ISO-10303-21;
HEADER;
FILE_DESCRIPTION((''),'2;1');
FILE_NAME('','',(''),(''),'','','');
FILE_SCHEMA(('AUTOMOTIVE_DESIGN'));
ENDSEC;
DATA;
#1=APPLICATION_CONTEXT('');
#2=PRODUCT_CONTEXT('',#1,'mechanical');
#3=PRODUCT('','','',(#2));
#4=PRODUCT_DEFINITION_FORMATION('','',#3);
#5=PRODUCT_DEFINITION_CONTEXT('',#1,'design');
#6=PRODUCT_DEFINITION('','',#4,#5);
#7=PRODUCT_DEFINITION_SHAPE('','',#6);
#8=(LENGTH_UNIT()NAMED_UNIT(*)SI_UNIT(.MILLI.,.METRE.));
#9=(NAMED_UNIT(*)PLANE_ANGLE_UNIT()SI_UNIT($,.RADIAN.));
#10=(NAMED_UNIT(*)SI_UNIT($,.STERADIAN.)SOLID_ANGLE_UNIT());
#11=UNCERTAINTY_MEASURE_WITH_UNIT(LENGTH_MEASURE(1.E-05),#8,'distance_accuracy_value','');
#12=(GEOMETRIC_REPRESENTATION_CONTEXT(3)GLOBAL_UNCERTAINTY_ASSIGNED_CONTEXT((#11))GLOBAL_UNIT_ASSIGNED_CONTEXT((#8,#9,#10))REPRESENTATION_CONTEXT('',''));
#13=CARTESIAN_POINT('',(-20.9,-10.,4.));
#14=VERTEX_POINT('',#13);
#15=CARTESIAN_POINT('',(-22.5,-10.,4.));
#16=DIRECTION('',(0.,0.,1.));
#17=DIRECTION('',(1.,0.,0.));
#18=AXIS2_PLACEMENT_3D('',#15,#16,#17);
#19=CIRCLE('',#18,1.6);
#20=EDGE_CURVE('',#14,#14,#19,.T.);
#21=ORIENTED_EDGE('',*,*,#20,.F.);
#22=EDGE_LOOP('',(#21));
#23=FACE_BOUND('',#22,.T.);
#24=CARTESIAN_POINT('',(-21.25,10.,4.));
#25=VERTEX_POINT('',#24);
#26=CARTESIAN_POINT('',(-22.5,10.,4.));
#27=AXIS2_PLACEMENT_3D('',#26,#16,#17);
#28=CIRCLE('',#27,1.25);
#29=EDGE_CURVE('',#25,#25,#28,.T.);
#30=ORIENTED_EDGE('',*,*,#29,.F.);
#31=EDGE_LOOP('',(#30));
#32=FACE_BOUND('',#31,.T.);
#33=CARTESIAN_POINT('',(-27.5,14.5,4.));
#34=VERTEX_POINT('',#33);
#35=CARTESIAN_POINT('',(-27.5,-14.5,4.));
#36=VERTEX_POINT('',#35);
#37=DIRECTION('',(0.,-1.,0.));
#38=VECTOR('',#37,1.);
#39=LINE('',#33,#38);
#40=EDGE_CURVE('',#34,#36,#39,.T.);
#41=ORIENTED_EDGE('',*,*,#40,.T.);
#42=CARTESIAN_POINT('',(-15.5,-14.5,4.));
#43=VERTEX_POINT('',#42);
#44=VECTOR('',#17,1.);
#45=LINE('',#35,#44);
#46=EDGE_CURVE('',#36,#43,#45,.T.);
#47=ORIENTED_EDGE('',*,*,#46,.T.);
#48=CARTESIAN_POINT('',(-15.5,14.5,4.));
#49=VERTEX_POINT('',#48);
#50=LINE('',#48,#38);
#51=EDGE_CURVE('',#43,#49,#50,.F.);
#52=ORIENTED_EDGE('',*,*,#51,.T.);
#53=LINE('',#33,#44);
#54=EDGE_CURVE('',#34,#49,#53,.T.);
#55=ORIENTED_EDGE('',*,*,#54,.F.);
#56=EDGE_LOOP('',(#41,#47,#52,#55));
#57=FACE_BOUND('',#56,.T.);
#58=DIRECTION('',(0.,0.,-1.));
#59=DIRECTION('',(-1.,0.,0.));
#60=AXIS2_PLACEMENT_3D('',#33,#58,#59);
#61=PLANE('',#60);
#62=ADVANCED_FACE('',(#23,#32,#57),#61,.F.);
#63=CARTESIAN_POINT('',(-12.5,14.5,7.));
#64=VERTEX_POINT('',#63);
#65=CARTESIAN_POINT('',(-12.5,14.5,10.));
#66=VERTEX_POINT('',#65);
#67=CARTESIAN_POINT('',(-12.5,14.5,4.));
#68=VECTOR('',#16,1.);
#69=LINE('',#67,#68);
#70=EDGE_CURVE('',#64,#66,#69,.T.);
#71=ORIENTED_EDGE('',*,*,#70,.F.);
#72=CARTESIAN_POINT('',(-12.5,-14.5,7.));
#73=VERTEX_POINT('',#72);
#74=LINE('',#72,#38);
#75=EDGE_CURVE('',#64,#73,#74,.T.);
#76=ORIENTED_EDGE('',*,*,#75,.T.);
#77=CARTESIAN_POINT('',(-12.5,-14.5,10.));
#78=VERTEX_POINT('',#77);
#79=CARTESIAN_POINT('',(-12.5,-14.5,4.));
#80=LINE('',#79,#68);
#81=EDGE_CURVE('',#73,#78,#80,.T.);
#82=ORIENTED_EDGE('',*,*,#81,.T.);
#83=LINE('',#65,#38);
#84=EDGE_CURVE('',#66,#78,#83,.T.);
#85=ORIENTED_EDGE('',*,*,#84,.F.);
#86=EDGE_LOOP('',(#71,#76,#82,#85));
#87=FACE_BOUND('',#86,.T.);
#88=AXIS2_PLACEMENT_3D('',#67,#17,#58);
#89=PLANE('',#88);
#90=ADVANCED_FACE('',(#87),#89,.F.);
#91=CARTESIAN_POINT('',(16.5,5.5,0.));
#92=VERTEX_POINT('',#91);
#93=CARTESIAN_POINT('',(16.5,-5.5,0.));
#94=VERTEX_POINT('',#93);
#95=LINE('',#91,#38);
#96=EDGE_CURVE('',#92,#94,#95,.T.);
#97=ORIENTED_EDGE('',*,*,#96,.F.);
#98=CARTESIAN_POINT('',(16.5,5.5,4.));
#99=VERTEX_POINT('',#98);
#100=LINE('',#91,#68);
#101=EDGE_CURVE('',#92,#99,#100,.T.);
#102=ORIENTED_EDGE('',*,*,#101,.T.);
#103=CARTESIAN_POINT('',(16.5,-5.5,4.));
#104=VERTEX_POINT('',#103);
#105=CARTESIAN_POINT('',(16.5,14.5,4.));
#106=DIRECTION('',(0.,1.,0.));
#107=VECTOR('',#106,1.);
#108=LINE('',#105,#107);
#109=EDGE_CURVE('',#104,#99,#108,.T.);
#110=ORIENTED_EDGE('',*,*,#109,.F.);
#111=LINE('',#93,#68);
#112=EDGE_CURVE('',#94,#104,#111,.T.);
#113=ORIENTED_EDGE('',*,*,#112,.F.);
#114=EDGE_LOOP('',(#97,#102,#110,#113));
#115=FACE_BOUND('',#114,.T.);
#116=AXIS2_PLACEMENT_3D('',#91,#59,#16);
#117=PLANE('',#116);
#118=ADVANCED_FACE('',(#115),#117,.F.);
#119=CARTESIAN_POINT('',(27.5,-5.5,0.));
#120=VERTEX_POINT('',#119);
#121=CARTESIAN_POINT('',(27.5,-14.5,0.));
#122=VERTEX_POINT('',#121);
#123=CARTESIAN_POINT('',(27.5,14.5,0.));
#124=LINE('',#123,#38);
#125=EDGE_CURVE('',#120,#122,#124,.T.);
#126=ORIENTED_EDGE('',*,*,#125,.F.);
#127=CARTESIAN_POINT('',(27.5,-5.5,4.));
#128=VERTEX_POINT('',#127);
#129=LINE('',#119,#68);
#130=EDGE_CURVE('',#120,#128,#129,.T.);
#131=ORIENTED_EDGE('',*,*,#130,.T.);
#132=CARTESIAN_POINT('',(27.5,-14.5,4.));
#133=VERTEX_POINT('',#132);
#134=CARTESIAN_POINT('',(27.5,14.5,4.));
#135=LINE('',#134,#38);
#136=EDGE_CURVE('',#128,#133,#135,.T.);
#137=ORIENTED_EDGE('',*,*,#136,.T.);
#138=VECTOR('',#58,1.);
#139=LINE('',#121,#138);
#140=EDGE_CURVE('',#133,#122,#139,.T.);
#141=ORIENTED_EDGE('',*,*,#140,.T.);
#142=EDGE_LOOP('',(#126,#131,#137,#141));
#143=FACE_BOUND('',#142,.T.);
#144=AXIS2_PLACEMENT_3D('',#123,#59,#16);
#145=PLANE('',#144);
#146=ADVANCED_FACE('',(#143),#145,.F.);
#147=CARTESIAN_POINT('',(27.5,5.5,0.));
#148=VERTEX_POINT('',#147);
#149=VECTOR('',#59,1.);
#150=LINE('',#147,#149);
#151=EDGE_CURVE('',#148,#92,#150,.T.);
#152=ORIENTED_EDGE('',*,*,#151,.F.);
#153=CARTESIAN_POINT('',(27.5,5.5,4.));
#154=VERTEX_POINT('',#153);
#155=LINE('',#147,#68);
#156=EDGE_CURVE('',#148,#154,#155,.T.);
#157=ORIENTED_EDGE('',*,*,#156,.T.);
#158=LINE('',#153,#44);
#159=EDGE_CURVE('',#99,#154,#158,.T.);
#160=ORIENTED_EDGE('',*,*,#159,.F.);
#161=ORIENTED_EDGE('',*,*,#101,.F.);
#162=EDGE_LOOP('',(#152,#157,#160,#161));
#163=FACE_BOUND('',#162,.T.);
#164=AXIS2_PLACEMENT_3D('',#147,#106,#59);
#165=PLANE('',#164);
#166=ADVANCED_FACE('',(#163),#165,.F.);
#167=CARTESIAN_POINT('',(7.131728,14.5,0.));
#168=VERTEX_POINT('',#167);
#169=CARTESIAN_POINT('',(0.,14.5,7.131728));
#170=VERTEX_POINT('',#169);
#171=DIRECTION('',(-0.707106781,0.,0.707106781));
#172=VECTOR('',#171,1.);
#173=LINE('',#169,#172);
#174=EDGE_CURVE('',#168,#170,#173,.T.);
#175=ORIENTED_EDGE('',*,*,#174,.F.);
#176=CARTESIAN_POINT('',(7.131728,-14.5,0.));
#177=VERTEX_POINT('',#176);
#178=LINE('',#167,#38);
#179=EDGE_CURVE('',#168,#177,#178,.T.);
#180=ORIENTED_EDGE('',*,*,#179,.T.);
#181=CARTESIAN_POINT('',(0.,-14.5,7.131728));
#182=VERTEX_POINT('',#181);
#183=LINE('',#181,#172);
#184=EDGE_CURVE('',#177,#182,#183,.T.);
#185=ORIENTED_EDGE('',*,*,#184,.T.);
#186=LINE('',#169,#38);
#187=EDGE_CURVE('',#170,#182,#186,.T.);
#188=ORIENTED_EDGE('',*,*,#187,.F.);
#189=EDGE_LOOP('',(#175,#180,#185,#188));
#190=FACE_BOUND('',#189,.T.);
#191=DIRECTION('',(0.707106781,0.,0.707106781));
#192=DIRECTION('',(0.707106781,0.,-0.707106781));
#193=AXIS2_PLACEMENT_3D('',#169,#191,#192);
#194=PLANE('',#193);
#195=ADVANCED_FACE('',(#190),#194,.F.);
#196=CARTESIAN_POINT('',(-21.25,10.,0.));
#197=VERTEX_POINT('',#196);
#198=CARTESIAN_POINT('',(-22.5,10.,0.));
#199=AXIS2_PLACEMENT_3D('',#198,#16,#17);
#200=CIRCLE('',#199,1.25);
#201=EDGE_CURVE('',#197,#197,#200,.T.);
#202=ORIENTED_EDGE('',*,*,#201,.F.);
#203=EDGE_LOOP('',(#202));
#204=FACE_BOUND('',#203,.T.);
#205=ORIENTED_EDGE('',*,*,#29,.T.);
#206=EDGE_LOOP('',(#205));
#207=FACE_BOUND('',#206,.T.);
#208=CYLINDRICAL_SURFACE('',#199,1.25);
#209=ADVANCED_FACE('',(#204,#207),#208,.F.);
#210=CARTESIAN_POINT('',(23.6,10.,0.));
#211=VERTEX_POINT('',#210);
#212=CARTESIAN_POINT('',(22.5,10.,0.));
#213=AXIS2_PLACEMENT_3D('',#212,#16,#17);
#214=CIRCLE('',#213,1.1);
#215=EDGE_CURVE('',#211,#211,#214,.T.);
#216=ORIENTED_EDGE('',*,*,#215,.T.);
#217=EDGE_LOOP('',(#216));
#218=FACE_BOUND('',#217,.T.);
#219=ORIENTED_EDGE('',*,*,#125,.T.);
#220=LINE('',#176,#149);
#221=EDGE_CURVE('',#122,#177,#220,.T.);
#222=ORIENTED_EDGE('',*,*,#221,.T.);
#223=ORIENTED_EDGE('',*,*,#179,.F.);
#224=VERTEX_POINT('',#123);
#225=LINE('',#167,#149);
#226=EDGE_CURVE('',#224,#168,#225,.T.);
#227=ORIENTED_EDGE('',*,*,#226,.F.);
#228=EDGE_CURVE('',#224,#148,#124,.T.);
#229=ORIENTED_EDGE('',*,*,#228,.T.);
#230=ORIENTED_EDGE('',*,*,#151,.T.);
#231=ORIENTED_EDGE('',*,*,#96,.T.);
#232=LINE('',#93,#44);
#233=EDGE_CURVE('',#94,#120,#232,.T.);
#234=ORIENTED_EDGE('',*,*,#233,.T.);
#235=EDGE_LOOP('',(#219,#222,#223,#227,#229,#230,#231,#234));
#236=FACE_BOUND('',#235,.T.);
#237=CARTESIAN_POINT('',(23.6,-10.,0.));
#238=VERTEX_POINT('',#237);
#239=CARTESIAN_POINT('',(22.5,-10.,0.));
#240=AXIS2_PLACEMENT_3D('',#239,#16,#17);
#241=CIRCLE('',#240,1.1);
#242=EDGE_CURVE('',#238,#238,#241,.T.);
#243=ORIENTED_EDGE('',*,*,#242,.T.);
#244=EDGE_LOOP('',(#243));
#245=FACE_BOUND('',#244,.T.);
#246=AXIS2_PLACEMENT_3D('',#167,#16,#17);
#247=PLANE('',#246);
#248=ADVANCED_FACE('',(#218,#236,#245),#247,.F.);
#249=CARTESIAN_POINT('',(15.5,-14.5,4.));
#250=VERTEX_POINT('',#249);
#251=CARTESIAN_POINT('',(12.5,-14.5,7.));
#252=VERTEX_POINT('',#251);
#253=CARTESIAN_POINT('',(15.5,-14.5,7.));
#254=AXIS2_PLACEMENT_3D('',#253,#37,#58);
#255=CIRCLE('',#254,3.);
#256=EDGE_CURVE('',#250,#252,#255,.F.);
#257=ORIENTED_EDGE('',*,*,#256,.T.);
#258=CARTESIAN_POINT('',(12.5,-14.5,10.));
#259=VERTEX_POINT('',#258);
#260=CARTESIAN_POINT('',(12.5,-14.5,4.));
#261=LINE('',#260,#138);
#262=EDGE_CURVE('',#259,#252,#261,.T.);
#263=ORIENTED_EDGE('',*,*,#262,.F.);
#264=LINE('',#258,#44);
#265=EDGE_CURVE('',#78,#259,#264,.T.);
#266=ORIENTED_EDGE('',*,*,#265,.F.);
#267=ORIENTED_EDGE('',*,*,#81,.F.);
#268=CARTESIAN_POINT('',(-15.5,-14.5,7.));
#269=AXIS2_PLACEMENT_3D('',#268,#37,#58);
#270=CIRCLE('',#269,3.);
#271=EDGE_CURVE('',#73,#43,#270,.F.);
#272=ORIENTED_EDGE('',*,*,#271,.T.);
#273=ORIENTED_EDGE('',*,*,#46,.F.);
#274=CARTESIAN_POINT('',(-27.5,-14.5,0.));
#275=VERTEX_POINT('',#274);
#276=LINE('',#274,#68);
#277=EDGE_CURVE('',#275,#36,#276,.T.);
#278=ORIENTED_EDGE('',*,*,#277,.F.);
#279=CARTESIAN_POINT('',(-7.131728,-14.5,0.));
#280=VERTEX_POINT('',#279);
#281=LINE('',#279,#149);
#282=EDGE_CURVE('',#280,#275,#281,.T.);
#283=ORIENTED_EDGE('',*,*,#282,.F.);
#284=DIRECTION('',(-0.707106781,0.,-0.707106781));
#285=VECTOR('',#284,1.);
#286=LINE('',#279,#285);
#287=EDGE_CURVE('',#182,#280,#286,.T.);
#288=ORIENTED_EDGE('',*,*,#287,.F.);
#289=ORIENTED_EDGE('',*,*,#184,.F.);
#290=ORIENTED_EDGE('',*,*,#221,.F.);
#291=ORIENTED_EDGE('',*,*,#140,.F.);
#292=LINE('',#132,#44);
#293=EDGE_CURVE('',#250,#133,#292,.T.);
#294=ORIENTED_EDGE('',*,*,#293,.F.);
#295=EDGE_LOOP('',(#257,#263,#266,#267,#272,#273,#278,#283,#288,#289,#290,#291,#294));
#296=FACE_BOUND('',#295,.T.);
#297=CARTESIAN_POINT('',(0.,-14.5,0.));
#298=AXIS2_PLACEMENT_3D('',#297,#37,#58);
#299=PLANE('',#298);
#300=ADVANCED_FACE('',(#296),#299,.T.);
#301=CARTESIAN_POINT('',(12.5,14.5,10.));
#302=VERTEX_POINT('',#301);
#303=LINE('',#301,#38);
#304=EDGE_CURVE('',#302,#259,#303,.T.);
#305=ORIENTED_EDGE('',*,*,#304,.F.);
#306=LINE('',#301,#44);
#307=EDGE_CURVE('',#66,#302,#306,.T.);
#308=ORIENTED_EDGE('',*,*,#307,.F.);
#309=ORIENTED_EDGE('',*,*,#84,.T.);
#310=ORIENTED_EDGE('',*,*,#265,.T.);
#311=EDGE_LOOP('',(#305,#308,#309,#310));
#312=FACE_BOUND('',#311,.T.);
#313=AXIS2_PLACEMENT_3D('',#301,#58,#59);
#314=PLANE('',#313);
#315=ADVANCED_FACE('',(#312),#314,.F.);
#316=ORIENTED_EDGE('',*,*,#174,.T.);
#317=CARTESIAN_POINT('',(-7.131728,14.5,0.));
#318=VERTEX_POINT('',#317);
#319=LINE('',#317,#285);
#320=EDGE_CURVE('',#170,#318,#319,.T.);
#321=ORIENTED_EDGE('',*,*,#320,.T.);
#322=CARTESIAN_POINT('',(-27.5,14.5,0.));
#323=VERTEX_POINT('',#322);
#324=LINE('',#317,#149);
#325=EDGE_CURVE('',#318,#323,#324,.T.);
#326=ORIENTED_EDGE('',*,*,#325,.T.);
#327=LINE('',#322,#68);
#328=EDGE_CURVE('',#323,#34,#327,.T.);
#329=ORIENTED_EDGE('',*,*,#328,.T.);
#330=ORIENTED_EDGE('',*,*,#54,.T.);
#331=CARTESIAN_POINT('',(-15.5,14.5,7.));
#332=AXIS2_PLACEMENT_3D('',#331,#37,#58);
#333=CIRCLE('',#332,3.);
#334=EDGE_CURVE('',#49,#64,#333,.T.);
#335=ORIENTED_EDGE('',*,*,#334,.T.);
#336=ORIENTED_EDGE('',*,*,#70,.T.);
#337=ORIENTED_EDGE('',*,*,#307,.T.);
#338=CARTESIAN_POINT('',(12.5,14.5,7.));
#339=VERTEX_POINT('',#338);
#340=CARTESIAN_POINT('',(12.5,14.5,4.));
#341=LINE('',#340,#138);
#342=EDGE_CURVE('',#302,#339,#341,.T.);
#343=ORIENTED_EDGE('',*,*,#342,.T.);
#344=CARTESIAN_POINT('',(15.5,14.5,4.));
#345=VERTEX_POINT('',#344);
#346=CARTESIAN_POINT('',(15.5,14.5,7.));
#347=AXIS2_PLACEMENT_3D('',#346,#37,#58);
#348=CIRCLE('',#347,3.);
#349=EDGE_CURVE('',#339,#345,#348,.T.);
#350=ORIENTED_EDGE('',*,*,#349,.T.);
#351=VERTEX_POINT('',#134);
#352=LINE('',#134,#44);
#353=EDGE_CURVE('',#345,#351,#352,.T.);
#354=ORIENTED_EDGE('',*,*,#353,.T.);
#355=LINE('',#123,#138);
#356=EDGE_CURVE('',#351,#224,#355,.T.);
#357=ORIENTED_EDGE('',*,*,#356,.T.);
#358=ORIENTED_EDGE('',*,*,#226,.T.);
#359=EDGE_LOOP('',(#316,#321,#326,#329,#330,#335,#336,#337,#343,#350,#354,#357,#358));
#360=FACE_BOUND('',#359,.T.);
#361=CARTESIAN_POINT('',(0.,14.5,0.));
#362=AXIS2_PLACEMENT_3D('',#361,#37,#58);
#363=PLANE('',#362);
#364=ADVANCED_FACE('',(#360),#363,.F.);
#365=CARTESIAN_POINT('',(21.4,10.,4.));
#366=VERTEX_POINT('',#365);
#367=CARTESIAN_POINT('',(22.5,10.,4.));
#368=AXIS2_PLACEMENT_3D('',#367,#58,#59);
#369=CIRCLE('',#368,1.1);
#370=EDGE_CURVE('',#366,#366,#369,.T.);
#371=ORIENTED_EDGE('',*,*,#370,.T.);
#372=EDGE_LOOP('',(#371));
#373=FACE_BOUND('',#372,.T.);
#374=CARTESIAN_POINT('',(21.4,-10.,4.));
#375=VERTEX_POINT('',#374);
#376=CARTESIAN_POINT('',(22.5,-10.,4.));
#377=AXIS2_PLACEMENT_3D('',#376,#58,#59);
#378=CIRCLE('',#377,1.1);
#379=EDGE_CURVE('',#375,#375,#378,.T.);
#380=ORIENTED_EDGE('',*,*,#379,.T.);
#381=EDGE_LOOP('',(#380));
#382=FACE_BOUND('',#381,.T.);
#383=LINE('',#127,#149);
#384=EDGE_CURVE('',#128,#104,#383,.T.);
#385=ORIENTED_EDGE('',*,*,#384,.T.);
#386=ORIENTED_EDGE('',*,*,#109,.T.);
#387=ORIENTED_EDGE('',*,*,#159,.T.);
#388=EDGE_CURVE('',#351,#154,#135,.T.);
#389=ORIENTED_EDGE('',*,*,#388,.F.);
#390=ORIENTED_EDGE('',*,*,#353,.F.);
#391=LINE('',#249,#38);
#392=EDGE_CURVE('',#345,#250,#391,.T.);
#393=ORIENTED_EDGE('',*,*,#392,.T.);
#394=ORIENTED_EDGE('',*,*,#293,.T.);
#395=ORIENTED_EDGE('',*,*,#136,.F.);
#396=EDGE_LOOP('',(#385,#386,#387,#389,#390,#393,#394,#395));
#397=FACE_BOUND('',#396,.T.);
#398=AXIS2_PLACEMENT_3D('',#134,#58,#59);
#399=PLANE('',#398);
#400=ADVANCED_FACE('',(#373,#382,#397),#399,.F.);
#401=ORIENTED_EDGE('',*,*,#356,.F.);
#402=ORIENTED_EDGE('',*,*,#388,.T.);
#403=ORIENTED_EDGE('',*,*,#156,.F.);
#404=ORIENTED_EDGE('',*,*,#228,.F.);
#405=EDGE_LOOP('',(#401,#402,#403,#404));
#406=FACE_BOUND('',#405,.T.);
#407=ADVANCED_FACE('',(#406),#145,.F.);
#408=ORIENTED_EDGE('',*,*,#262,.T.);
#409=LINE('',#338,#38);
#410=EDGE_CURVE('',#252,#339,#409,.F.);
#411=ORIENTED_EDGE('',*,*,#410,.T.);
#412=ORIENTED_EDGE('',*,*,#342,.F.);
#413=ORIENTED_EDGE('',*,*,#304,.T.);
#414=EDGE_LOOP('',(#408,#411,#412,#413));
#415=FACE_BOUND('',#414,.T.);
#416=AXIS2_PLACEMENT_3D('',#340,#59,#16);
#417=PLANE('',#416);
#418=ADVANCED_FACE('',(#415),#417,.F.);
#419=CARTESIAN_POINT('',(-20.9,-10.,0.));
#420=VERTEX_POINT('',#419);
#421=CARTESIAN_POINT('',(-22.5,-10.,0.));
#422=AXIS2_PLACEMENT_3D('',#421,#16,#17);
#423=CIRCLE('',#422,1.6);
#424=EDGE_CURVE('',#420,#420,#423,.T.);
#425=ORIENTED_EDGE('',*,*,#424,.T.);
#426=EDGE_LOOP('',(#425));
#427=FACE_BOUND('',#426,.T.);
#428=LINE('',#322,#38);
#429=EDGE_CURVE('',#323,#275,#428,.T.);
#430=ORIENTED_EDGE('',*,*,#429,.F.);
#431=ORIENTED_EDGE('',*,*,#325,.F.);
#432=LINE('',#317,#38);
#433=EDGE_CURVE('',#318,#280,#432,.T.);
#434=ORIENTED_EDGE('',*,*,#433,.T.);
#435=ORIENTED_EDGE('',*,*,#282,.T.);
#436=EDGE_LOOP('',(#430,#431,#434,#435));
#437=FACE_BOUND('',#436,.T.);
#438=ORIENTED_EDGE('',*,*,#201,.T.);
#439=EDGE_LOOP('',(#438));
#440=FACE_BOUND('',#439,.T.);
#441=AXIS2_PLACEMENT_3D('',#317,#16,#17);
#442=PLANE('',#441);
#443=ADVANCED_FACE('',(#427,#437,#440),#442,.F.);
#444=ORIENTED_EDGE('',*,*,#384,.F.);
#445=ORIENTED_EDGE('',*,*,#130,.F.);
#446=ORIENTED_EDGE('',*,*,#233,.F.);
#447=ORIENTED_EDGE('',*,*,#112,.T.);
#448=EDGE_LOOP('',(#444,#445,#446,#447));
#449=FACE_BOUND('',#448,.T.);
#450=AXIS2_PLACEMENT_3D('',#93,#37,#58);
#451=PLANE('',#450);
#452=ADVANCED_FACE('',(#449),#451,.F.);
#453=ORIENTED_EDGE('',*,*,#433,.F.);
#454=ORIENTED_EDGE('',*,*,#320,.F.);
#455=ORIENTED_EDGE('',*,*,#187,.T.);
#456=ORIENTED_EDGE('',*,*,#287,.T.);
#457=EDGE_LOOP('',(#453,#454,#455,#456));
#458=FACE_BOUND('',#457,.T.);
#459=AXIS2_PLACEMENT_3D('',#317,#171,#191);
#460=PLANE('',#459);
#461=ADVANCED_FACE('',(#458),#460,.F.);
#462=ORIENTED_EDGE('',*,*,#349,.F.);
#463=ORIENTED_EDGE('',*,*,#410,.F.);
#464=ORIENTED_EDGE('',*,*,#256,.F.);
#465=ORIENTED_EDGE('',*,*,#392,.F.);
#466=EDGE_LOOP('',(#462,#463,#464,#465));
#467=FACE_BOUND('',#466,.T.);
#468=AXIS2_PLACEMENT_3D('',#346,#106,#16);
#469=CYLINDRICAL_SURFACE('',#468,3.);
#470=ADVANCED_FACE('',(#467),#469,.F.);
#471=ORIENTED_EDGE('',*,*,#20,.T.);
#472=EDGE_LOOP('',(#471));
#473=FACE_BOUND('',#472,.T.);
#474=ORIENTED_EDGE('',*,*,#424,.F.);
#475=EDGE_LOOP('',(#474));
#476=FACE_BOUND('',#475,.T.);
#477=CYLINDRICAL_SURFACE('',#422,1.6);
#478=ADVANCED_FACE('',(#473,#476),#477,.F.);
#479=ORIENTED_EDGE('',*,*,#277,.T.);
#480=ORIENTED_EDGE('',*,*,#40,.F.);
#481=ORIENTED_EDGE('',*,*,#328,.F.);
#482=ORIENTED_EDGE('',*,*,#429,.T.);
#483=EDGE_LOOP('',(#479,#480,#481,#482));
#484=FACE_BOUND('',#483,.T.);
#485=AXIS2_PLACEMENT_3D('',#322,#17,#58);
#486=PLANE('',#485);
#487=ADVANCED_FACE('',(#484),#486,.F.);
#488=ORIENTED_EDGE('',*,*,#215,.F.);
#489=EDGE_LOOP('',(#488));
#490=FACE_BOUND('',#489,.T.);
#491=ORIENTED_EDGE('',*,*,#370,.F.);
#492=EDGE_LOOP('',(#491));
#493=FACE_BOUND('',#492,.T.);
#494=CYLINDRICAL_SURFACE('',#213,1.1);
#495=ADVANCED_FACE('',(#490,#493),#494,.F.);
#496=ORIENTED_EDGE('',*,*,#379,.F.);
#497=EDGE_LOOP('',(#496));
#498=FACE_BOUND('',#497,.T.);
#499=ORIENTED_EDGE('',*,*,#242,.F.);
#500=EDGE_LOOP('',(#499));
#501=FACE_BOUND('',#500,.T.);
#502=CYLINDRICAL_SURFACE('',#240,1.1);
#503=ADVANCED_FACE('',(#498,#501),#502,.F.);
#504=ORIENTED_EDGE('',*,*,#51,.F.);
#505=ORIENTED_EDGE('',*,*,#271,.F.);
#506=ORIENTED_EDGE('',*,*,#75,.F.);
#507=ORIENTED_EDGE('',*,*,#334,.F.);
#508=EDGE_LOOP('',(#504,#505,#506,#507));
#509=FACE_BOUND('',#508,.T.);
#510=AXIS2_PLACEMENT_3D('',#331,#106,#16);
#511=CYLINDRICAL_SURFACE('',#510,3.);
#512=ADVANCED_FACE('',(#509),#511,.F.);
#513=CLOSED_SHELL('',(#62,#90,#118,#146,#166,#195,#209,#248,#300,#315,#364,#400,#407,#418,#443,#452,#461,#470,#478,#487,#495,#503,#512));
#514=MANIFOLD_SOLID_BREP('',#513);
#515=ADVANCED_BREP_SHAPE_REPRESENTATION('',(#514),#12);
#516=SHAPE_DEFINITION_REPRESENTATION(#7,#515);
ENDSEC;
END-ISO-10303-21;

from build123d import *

# Parameters (mm, degrees)
BOSS_EXTRUDE1_DEPTH     = 14.5
CUT_EXTRUDE2_DEPTH      = 32.662280398
CUT_EXTRUDE2_DEPTH_BACK = 32.662280398
SKETCH4_R               = 1.1
SKETCH4_W               = 11
SKETCH4_H               = 11
SKETCH5_R               = 1.25
SKETCH5_R_2             = 1.6
CUT_EXTRUDE3_DEPTH      = 32.662280398
FILLET1_R               = 3


with BuildPart() as part:
    # Sketch1 → Boss-Extrude1 (new, symmetric)
    with BuildSketch(Plane(origin=(0, 0, 0), x_dir=(1, 0, 0), z_dir=(0, 1, 0))):
        Polygon((-7.131727984, 0), (-27.5, 0), (-27.5, -4), (-12.5, -4), (-12.5, -10), (12.5, -10), (12.5, -4), (27.5, -4), (27.5, 0), (7.131727984, 0), (0, -7.131727984), align=None)
    extrude(amount=BOSS_EXTRUDE1_DEPTH, both=True)

    # Sketch4 → Cut-Extrude2 (cut, two sides: drawn at the far end of the back side and taken through both)
    with BuildSketch(Plane.XY.offset(4).offset(-CUT_EXTRUDE2_DEPTH_BACK)):
        with Locations((22.5, 10)):
            Circle(SKETCH4_R)
        with Locations((22.5, -10)):
            Circle(SKETCH4_R)
        with Locations((22, 0)):
            Rectangle(SKETCH4_W, SKETCH4_H)
    extrude(amount=CUT_EXTRUDE2_DEPTH + CUT_EXTRUDE2_DEPTH_BACK, mode=Mode.SUBTRACT)

    # Sketch5 → Cut-Extrude3 (cut, through all)
    with BuildSketch(Plane.XY.offset(4)):
        with Locations((-22.5, 10)):
            Circle(SKETCH5_R)
        with Locations((-22.5, -10)):
            Circle(SKETCH5_R_2)
    extrude(amount=-CUT_EXTRUDE3_DEPTH, mode=Mode.SUBTRACT)

    # Fillet1
    fillet1_edges = [part.edges().sort_by_distance(p)[0] for p in [
        (-12.5, 0, 4),
        (12.5, 0, 4),
    ]]
    fillet(fillet1_edges, radius=FILLET1_R)


solid = part.part
